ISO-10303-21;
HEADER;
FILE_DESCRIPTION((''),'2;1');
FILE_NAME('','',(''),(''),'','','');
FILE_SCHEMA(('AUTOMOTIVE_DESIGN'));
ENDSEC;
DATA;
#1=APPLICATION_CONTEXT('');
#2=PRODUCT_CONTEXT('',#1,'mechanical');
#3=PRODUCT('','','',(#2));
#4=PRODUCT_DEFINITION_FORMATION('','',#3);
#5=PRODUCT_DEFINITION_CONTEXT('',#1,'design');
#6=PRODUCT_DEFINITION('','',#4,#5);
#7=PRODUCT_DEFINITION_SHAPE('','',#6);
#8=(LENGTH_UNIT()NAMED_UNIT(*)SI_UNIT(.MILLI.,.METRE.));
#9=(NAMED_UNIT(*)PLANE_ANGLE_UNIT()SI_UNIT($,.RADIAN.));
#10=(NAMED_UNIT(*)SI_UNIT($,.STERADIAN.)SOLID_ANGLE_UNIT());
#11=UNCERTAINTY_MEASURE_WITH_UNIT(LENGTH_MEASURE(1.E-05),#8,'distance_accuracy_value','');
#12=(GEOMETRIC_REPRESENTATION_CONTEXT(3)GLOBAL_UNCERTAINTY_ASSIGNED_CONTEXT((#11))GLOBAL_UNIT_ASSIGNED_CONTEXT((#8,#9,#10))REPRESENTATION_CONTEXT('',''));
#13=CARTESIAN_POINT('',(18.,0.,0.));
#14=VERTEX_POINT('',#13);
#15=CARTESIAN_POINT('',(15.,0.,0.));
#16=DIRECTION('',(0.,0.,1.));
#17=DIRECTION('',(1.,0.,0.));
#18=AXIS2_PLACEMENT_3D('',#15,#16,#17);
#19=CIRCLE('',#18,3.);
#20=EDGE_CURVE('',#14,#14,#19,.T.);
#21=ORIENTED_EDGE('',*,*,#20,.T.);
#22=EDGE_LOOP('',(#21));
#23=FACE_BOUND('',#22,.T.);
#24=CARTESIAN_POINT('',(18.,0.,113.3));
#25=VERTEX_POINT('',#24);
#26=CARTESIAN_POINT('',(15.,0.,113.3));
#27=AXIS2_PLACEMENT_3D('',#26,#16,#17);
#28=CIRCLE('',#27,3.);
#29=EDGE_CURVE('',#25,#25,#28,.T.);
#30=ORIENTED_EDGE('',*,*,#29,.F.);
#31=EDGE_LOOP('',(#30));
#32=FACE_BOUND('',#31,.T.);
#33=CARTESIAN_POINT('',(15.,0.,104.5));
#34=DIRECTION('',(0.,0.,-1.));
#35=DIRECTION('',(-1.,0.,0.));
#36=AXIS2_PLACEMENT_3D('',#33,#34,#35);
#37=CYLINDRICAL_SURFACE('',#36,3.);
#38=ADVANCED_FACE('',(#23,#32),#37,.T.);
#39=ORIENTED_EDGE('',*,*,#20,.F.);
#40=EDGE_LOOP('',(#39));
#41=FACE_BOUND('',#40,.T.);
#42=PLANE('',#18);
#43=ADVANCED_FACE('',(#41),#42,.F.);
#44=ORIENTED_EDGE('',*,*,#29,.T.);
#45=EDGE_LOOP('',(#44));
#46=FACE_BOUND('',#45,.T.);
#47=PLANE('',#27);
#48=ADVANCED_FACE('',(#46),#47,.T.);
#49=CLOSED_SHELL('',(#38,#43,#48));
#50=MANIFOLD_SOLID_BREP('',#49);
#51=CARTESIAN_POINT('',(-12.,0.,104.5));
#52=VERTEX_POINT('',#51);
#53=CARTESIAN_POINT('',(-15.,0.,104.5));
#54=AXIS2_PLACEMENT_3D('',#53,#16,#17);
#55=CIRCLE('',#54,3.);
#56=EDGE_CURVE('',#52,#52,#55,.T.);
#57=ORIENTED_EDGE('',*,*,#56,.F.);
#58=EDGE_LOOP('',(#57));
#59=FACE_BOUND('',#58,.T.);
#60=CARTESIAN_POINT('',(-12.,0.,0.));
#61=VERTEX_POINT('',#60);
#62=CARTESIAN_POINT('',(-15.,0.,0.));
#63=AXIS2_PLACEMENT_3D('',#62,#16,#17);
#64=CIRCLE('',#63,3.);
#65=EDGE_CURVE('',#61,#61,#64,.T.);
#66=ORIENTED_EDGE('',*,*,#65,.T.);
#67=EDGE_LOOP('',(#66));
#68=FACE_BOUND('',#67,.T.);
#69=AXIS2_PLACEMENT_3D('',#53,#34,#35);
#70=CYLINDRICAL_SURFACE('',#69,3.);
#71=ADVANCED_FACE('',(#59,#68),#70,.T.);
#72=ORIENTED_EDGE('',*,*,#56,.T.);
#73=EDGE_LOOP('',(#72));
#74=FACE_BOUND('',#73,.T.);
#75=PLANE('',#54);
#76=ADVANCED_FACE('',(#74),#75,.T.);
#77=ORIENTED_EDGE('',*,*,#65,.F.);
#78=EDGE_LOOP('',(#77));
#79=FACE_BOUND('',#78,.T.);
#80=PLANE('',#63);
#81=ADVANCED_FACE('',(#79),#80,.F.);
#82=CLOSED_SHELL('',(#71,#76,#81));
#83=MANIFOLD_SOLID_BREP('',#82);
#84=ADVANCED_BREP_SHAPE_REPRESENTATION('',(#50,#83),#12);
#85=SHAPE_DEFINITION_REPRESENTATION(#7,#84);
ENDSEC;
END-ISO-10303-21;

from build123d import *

# Parameters (mm, degrees)
SKETCH_1_R        = 3
EXTRUDE_1_DEPTH   = 104.5
EXTRUDE_1_2_DEPTH = 104.5
SKETCH_2_R        = 3
EXTRUDE_2_DEPTH   = 8.8


with BuildPart() as part:
    # ｽｹｯﾁ1 → ﾎﾞｽ - 押し出し1 (new body)
    with BuildSketch(Plane.XY):
        with Locations((-15, 0)):
            Circle(SKETCH_1_R)
    extrude(amount=EXTRUDE_1_DEPTH)


with BuildPart() as body_2:
    # ｽｹｯﾁ1 → Extrude 1 2 (new body)
    with BuildSketch(Plane.XY):
        with Locations((15, 0)):
            Circle(SKETCH_1_R)
    extrude(amount=EXTRUDE_1_2_DEPTH)

    # ｽｹｯﾁ2 → ﾎﾞｽ - 押し出し2 (add)
    with BuildSketch(Plane.XY.offset(104.5)):
        with Locations((15, 0)):
            Circle(SKETCH_2_R)
    extrude(amount=EXTRUDE_2_DEPTH)


solid = Compound([part.part, body_2.part])
